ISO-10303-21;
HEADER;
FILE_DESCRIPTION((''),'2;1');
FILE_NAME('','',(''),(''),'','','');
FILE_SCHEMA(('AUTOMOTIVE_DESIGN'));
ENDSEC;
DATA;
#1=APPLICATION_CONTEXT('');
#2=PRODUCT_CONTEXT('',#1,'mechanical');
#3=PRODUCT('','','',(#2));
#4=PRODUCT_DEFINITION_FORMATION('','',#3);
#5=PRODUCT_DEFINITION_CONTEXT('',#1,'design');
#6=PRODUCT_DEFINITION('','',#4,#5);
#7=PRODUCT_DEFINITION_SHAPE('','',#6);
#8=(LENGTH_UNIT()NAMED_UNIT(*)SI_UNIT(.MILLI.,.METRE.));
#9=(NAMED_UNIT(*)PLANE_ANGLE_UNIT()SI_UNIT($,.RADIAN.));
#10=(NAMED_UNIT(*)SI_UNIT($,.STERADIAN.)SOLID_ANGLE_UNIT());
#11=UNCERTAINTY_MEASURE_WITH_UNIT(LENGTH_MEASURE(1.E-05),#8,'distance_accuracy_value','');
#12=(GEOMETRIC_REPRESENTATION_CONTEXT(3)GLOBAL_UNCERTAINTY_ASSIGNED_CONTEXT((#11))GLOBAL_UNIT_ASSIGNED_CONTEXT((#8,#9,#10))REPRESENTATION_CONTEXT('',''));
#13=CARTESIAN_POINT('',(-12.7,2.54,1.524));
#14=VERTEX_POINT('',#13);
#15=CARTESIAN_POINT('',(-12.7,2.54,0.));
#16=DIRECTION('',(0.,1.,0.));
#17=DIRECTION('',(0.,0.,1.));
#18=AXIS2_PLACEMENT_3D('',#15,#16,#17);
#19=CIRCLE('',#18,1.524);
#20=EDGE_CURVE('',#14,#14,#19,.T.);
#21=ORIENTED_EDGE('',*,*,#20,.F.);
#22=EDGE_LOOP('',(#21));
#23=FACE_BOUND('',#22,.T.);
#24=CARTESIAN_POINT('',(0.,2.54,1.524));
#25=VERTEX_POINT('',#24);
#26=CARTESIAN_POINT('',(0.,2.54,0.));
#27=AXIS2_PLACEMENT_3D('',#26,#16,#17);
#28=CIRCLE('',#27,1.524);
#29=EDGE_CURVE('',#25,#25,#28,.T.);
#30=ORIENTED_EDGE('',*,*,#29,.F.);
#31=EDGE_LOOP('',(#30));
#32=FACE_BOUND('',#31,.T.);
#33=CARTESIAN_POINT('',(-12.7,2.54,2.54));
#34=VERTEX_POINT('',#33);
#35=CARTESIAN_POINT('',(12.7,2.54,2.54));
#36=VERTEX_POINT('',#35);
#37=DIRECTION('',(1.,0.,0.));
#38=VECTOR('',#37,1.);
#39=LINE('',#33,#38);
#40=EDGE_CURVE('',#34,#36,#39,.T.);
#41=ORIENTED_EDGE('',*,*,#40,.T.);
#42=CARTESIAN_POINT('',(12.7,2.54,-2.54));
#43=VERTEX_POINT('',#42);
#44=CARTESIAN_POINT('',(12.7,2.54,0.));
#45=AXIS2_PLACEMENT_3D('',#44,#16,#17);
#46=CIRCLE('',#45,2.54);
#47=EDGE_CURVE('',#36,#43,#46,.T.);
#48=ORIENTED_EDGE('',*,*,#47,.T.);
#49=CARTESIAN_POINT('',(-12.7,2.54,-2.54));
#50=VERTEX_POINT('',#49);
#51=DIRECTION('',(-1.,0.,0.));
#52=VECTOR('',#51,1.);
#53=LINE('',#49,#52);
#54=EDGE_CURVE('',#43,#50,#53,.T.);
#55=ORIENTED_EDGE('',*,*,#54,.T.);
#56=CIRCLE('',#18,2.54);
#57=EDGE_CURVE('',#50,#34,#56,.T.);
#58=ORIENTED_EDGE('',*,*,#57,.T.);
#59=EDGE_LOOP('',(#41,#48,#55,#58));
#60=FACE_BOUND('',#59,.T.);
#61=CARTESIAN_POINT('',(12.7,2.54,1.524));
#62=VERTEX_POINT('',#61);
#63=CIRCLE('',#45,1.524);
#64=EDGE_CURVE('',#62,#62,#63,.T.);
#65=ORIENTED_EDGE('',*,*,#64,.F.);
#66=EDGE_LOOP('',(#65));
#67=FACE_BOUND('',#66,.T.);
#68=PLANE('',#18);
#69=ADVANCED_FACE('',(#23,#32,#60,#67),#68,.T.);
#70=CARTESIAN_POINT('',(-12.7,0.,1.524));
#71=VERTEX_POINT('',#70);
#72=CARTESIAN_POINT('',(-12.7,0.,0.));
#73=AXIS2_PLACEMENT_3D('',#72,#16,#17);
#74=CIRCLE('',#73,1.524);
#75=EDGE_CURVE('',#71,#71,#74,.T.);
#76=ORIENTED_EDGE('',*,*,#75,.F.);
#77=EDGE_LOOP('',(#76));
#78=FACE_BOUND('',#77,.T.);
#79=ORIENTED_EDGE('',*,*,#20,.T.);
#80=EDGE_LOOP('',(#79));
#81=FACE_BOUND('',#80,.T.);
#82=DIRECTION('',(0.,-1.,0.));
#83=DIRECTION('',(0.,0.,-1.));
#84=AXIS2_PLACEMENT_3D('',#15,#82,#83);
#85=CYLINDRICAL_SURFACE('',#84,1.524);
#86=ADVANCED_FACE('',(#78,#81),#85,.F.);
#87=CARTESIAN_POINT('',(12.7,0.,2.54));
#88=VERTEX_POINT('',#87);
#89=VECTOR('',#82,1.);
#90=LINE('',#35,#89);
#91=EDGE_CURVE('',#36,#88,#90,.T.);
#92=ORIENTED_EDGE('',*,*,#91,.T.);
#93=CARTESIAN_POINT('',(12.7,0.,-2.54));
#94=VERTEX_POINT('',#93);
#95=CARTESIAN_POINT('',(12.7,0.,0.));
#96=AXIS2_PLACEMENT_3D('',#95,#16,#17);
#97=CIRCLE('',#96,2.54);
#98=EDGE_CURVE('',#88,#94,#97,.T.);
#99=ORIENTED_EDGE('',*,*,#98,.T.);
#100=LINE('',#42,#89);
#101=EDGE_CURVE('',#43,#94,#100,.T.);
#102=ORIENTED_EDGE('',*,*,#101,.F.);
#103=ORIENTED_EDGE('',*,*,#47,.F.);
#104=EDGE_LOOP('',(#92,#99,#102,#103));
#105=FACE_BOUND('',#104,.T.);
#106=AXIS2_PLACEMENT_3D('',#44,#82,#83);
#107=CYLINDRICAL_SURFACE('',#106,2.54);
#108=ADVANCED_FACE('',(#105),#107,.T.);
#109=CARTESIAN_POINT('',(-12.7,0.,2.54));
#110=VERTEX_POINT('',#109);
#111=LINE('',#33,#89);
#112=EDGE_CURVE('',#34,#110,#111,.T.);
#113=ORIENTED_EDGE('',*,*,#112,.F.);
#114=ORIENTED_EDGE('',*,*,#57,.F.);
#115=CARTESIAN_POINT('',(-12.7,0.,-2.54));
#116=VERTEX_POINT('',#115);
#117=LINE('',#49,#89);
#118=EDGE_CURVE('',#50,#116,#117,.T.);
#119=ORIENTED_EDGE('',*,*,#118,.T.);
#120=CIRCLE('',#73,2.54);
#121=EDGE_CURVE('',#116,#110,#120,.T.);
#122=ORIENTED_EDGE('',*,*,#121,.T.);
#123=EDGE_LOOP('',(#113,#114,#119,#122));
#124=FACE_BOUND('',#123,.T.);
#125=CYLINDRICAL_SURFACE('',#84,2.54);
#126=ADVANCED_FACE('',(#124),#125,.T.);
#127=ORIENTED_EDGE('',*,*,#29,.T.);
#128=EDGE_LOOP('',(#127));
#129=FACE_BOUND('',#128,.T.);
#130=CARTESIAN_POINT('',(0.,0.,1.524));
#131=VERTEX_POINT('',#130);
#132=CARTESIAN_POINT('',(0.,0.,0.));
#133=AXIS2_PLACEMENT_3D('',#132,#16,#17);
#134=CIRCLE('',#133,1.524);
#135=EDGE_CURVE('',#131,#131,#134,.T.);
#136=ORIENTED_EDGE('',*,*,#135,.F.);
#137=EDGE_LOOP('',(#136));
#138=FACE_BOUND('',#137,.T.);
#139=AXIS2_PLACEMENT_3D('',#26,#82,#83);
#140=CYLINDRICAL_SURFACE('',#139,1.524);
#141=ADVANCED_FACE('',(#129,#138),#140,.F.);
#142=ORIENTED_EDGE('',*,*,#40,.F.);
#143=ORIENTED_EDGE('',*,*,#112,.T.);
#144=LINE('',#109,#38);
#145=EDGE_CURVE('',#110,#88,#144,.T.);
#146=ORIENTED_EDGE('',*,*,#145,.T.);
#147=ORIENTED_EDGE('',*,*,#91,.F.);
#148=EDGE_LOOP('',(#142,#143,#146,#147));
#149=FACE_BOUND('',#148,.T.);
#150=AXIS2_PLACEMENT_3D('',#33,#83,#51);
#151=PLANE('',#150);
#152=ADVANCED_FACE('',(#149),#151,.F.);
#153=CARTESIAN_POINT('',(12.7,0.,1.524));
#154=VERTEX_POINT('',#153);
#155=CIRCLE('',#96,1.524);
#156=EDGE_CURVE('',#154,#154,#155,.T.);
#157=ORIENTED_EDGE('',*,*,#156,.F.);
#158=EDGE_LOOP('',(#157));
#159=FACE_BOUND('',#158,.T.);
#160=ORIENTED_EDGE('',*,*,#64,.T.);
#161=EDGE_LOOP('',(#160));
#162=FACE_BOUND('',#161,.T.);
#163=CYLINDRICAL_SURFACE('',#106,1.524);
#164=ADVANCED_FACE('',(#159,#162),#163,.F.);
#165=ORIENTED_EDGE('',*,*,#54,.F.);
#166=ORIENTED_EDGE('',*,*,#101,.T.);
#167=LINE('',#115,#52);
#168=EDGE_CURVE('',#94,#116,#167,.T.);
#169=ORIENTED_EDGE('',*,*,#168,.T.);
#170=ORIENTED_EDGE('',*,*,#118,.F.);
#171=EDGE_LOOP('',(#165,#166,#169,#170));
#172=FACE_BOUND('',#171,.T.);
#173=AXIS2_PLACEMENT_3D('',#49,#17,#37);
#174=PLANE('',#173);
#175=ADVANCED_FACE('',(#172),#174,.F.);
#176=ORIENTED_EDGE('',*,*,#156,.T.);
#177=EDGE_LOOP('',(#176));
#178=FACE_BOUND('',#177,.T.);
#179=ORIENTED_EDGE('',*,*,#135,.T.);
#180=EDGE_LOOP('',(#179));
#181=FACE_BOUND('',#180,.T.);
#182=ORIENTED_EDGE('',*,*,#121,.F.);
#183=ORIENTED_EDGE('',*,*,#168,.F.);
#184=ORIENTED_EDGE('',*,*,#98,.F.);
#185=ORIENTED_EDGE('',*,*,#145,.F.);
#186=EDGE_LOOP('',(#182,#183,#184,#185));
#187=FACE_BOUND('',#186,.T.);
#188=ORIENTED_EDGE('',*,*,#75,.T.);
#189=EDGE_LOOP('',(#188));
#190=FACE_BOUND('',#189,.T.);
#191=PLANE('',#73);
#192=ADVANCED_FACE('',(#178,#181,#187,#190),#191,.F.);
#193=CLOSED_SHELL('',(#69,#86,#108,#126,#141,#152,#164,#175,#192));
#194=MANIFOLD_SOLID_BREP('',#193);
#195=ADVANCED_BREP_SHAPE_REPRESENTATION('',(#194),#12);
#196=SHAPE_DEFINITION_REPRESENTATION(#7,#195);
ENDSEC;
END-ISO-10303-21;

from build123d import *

# Parameters (mm, degrees)
SKETCH1_R           = 1.524
BOSS_EXTRUDE1_DEPTH = 2.54


with BuildPart() as part:
    # Sketch1 → Boss-Extrude1 (new body)
    with BuildSketch(Plane(origin=(0, 0, 0), x_dir=(1, 0, 0), z_dir=(0, 1, 0))):
        with BuildLine():
            Line((-12.7, 2.54), (12.7, 2.54))
            ThreePointArc((12.7, 2.54), (15.24, 0), (12.7, -2.54))
            Line((12.7, -2.54), (-12.7, -2.54))
            ThreePointArc((-12.7, -2.54), (-15.24, 0), (-12.7, 2.54))
        make_face()
        with Locations(Location((0, 0, 0), (0, 0, 270))):
            Circle(SKETCH1_R, mode=Mode.SUBTRACT)
        with Locations(Location((-12.7, 0, 0), (0, 0, 270))):
            Circle(SKETCH1_R, mode=Mode.SUBTRACT)
        with Locations(Location((12.7, 0, 0), (0, 0, 270))):
            Circle(SKETCH1_R, mode=Mode.SUBTRACT)
    extrude(amount=BOSS_EXTRUDE1_DEPTH)


solid = part.part
